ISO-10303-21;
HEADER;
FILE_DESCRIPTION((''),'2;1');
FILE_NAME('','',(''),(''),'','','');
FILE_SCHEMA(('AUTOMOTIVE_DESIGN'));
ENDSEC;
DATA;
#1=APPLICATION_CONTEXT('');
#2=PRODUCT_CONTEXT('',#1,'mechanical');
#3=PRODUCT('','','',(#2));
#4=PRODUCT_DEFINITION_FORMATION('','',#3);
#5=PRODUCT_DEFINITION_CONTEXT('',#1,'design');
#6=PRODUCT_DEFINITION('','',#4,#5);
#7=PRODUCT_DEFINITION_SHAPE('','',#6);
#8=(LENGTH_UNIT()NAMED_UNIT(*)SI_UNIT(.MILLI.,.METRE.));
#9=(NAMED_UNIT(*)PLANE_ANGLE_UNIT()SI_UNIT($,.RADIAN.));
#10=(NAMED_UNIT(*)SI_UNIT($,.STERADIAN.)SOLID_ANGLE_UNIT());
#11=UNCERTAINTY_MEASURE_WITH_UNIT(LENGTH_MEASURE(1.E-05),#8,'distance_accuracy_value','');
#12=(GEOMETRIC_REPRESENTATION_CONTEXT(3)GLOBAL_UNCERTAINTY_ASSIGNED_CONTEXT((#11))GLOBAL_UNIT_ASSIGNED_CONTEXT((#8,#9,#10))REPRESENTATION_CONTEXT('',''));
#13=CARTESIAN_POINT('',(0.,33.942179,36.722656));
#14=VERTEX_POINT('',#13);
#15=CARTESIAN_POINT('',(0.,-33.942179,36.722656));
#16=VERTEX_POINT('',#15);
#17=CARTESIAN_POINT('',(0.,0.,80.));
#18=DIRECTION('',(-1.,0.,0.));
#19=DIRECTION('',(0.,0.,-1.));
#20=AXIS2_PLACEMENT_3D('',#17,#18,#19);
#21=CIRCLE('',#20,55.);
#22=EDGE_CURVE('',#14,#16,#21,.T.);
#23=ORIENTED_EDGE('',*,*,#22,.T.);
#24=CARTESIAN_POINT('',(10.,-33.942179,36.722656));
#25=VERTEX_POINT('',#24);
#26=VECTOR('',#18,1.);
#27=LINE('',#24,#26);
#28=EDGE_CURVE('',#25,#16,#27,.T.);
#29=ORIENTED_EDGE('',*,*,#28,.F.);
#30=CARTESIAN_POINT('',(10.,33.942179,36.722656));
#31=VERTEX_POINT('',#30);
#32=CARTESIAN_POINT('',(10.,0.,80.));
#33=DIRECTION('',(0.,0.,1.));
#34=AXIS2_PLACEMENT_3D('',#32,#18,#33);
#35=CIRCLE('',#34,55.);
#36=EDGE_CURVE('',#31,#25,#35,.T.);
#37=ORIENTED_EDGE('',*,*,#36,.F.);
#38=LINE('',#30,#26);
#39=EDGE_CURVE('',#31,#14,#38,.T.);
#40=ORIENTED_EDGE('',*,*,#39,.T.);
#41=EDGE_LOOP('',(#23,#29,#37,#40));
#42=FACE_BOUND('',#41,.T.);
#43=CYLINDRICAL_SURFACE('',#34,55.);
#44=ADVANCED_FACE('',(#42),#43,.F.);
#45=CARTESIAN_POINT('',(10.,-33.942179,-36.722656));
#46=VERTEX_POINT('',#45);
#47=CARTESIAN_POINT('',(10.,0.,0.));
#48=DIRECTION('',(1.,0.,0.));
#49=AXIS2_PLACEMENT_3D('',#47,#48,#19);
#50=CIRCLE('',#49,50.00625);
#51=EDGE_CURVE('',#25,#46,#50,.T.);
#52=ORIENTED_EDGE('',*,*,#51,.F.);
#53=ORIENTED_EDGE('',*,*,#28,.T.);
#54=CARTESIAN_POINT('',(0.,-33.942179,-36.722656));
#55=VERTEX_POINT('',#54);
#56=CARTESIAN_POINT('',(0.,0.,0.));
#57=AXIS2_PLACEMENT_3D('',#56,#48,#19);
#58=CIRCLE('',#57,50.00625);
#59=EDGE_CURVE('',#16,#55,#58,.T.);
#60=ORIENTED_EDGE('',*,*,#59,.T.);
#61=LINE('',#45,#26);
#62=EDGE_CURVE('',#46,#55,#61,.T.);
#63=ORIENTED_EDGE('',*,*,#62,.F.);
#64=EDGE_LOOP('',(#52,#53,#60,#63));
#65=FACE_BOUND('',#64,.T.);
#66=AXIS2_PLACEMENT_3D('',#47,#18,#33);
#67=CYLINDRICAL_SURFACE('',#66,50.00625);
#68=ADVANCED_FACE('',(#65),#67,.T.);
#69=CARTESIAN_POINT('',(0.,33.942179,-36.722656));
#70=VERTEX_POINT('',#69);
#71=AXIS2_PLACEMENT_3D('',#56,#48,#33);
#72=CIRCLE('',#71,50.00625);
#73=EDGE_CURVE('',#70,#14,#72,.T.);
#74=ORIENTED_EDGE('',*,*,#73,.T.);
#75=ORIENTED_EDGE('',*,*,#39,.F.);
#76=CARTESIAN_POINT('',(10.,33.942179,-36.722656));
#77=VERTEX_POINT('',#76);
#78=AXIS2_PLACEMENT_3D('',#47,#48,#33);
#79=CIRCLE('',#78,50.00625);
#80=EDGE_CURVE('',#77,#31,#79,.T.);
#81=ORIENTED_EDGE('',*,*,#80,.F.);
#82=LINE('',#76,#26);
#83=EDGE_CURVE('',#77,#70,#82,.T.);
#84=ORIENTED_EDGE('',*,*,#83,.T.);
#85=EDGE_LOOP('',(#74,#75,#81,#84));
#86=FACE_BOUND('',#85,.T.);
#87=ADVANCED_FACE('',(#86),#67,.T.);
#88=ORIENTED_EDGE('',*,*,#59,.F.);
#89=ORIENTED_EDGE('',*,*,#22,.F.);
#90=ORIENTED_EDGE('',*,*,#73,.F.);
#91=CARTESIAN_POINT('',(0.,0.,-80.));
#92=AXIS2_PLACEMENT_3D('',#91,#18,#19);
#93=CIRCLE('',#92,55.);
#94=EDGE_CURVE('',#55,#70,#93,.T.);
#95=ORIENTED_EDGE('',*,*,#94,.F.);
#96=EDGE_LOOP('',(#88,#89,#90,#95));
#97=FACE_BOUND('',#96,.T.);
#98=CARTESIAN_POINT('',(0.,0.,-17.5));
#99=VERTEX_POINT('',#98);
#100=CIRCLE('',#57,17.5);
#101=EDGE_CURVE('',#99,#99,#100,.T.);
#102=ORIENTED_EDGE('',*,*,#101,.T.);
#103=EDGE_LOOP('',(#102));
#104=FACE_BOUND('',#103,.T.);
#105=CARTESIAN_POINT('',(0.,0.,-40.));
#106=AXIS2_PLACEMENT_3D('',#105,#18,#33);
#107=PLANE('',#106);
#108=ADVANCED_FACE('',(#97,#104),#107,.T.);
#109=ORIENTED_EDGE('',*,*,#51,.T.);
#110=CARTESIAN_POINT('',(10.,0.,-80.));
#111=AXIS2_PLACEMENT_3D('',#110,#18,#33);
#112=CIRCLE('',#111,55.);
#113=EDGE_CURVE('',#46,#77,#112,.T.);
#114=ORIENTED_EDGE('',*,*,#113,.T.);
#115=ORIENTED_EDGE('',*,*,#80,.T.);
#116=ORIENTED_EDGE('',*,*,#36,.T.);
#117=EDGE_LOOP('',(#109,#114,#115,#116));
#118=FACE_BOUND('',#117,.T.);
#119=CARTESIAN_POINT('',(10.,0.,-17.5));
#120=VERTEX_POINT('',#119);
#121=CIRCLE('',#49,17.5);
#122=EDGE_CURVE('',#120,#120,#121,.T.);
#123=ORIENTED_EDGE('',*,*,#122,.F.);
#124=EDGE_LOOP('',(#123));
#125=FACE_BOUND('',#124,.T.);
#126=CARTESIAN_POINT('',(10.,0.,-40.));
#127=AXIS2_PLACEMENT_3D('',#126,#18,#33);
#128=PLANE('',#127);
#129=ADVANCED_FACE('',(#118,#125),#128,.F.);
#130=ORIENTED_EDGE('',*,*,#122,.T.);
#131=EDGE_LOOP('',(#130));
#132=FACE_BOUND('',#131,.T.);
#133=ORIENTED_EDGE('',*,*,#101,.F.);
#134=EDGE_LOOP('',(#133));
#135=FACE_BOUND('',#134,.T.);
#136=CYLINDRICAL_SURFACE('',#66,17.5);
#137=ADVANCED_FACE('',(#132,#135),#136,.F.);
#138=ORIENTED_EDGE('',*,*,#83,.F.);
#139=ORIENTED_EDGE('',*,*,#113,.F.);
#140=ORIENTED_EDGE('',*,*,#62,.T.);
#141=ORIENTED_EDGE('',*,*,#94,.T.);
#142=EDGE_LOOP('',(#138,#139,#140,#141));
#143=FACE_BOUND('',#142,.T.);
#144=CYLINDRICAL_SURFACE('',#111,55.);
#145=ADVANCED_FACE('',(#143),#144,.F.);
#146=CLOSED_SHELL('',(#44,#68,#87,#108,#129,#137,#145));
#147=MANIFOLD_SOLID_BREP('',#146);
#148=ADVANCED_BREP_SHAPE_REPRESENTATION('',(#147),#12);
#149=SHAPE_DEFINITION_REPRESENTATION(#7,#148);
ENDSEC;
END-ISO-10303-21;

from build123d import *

# Parameters (mm, degrees)
BOSS_EXTRUDE1_DEPTH = 10
SKETCH3_R           = 17.5
CUT_EXTRUDE3_DEPTH  = 63.842489918


with BuildPart() as part:
    # Sketch1 → Boss-Extrude1 (new body)
    with BuildSketch(Plane(origin=(0, 0, 0), x_dir=(0, 0, -1), z_dir=(1, 0, 0))):
        with BuildLine():
            ThreePointArc((-36.722656494, 33.942179351), (-28.013204115, 17.954750168), (-25, 0))
            ThreePointArc((-25, 0), (-28.013204115, -17.954750168), (-36.722656494, -33.942179351))
            ThreePointArc((-36.722656494, -33.942179351), (0, -50.00625), (36.722656494, -33.942179351))
            ThreePointArc((36.722656494, -33.942179351), (28.013204115, -17.954750168), (25, 0))
            ThreePointArc((25, 0), (28.013204115, 17.954750168), (36.722656494, 33.942179351))
            ThreePointArc((36.722656494, 33.942179351), (0, 50.00625), (-36.722656494, 33.942179351))
        make_face()
    extrude(amount=BOSS_EXTRUDE1_DEPTH)

    # Sketch3 → Cut-Extrude3 (cut, through all)
    with BuildSketch(Plane(origin=(0, 0, 0), x_dir=(0, 0, -1), z_dir=(1, 0, 0))):
        Circle(SKETCH3_R)
    extrude(amount=CUT_EXTRUDE3_DEPTH, mode=Mode.SUBTRACT)


solid = part.part
